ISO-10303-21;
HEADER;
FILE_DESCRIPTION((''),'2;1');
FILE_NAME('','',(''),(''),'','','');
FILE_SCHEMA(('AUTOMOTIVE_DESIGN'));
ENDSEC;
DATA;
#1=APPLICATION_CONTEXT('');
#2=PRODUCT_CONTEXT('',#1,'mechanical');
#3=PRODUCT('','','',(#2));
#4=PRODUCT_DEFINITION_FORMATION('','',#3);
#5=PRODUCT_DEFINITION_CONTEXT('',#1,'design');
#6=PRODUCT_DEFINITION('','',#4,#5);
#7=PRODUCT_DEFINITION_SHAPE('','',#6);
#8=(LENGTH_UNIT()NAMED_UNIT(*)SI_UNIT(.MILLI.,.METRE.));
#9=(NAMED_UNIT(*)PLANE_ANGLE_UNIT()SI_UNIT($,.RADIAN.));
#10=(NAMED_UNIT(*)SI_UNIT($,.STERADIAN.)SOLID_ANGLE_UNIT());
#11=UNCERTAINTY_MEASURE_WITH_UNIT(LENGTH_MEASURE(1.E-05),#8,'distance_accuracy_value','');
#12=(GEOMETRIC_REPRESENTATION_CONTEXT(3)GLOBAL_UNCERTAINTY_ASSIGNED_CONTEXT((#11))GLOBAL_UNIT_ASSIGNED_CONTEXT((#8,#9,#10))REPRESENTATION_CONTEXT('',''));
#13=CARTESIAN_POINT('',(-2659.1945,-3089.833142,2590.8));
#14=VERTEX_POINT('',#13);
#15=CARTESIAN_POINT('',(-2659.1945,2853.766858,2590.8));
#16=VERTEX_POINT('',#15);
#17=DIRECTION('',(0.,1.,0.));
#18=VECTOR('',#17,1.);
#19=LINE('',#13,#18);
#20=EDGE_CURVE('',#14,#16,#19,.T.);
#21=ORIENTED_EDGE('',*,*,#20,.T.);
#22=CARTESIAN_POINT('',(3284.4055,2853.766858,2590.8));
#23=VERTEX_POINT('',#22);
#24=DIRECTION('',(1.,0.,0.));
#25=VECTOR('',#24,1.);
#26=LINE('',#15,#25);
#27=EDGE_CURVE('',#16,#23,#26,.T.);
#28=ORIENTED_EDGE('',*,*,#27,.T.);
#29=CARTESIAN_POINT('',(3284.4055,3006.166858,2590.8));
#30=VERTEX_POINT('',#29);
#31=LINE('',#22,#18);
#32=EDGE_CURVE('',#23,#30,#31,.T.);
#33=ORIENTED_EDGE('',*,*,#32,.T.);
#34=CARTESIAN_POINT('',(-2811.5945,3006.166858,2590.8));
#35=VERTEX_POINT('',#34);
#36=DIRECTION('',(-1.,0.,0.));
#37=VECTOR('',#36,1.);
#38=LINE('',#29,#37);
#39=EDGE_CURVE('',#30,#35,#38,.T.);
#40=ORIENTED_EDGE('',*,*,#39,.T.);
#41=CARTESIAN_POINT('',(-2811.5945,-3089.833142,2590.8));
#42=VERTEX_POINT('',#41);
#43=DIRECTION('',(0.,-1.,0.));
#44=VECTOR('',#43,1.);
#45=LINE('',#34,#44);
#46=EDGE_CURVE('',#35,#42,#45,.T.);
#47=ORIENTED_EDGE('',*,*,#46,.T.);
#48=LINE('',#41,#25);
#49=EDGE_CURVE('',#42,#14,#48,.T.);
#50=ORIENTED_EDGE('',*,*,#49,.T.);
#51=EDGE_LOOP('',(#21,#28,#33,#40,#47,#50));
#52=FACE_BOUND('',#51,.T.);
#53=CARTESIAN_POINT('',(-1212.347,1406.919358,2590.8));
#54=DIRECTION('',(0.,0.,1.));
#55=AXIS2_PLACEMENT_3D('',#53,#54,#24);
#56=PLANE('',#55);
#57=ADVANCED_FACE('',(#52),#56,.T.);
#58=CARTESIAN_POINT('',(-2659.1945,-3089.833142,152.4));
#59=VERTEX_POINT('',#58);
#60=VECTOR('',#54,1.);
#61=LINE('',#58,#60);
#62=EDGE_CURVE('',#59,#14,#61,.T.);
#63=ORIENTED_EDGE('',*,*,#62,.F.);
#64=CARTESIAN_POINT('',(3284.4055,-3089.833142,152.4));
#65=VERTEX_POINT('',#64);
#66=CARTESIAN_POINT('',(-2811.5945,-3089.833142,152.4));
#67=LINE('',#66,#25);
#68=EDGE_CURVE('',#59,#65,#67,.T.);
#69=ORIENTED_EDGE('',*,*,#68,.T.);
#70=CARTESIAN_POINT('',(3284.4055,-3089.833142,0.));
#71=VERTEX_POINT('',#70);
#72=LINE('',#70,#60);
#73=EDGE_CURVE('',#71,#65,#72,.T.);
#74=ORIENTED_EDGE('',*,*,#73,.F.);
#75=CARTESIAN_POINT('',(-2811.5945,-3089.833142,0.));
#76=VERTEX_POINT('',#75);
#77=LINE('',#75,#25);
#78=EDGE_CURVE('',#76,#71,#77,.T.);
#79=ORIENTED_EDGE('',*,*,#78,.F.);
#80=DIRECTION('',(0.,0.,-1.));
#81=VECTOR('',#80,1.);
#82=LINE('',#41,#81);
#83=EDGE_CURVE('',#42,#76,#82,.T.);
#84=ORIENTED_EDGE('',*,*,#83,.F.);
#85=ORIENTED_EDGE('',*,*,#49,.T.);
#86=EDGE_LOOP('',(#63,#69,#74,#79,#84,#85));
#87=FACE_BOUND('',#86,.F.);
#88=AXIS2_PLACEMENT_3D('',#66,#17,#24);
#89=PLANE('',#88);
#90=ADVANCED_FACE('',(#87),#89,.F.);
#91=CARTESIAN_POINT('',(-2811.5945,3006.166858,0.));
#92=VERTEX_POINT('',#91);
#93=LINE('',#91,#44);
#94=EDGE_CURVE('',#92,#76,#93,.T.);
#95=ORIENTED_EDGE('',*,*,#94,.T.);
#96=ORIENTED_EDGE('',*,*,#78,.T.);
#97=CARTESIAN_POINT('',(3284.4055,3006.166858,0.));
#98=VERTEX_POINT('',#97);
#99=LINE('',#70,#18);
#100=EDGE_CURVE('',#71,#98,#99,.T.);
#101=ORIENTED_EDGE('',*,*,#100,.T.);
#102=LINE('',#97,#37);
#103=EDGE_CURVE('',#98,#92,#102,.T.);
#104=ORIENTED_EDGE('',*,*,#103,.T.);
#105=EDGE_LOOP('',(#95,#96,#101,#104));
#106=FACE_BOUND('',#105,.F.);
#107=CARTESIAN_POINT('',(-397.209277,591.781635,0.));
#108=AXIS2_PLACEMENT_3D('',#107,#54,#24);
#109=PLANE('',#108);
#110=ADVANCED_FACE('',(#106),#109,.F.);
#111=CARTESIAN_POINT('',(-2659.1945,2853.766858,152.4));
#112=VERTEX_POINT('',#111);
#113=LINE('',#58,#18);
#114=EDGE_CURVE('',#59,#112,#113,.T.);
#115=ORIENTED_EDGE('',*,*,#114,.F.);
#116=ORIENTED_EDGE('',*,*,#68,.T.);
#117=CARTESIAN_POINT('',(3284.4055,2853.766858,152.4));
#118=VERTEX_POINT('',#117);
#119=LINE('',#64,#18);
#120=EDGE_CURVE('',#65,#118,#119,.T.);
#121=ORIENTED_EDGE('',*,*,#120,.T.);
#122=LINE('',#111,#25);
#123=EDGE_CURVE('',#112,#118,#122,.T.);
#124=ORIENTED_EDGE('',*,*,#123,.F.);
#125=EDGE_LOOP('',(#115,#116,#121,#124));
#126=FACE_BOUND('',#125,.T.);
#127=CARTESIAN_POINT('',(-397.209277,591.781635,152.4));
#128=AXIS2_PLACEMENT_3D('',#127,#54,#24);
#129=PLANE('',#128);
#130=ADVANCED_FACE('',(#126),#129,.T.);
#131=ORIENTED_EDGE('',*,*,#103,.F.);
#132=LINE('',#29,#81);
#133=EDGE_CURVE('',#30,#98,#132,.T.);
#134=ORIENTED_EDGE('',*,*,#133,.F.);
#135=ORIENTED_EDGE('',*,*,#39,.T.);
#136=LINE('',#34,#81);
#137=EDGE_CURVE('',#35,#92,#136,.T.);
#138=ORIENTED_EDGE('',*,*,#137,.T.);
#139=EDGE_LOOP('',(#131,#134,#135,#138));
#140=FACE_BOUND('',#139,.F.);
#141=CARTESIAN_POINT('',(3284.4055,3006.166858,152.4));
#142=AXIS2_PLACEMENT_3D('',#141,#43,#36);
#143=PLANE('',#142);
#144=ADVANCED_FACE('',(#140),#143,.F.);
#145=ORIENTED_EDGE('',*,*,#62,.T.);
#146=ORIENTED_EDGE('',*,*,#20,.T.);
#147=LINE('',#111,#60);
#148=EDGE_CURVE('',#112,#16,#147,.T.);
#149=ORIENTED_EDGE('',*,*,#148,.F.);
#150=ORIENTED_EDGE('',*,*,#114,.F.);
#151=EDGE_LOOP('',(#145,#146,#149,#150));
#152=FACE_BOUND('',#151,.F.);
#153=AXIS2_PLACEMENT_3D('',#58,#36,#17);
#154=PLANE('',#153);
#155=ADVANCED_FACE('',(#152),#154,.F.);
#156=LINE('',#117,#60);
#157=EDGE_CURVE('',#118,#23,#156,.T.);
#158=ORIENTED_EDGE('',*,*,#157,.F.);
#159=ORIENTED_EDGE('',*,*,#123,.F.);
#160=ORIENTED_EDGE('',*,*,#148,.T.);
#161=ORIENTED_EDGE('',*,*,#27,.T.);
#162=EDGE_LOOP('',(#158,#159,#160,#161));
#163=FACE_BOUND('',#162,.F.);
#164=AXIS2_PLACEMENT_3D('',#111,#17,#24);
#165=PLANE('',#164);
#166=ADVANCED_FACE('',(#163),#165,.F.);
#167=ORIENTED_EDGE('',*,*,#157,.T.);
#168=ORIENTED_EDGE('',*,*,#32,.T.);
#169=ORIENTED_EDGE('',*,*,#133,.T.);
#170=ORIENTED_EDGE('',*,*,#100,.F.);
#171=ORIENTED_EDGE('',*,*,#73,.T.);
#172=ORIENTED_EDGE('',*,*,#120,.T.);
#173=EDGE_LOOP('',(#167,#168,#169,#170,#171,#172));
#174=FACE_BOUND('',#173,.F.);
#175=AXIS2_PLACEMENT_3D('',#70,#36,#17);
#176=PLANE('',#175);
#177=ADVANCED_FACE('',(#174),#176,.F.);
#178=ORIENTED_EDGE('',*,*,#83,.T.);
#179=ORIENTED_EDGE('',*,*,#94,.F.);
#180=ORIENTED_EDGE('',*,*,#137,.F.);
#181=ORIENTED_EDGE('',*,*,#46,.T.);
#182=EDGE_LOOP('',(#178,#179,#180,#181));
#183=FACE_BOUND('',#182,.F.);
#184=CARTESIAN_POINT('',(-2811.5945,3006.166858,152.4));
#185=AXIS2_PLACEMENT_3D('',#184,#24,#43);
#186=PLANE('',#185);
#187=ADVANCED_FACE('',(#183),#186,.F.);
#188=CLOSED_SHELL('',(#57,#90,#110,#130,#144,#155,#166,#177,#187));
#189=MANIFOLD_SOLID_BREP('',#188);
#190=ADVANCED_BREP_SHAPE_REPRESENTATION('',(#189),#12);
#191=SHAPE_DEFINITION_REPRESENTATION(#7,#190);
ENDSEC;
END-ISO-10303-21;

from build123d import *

# Parameters (mm, degrees)
F0_W     = 4012.7088723905
F0_H     = 3850.2824916989
F1_DEPTH = 152.4
F3_DEPTH = 2438.4


with BuildPart() as f1:
    # F0 (on Top) → F1 (new body)
    with BuildSketch(Plane.XY):
        Polygon((3284.4054995306, 3006.1668581814), (-2811.5945004694, 3006.1668581814), (-2811.5945004694, -3089.8331418186), (-728.30337286, -3089.8331418186), (-728.30337286, 760.4493498802), (3284.4054995306, 760.4493498802), align=None)
        with Locations((1278.0510633353, -1164.6918959692)):
            Rectangle(F0_W, F0_H)
    extrude(amount=F1_DEPTH)

    # F2 (on face) → F3 (join)
    with BuildSketch(Plane.XY.offset(152.4)):
        Polygon((-2811.5945004694, -3089.8331418186), (-2659.1945004694, -3089.8331418186), (-2659.1945004694, 2853.7668581814), (3284.4054995306, 2853.7668581814), (3284.4054995306, 3006.1668581814), (-2811.5945004694, 3006.1668581814), align=None)
    extrude(amount=F3_DEPTH)


solid = f1.part
